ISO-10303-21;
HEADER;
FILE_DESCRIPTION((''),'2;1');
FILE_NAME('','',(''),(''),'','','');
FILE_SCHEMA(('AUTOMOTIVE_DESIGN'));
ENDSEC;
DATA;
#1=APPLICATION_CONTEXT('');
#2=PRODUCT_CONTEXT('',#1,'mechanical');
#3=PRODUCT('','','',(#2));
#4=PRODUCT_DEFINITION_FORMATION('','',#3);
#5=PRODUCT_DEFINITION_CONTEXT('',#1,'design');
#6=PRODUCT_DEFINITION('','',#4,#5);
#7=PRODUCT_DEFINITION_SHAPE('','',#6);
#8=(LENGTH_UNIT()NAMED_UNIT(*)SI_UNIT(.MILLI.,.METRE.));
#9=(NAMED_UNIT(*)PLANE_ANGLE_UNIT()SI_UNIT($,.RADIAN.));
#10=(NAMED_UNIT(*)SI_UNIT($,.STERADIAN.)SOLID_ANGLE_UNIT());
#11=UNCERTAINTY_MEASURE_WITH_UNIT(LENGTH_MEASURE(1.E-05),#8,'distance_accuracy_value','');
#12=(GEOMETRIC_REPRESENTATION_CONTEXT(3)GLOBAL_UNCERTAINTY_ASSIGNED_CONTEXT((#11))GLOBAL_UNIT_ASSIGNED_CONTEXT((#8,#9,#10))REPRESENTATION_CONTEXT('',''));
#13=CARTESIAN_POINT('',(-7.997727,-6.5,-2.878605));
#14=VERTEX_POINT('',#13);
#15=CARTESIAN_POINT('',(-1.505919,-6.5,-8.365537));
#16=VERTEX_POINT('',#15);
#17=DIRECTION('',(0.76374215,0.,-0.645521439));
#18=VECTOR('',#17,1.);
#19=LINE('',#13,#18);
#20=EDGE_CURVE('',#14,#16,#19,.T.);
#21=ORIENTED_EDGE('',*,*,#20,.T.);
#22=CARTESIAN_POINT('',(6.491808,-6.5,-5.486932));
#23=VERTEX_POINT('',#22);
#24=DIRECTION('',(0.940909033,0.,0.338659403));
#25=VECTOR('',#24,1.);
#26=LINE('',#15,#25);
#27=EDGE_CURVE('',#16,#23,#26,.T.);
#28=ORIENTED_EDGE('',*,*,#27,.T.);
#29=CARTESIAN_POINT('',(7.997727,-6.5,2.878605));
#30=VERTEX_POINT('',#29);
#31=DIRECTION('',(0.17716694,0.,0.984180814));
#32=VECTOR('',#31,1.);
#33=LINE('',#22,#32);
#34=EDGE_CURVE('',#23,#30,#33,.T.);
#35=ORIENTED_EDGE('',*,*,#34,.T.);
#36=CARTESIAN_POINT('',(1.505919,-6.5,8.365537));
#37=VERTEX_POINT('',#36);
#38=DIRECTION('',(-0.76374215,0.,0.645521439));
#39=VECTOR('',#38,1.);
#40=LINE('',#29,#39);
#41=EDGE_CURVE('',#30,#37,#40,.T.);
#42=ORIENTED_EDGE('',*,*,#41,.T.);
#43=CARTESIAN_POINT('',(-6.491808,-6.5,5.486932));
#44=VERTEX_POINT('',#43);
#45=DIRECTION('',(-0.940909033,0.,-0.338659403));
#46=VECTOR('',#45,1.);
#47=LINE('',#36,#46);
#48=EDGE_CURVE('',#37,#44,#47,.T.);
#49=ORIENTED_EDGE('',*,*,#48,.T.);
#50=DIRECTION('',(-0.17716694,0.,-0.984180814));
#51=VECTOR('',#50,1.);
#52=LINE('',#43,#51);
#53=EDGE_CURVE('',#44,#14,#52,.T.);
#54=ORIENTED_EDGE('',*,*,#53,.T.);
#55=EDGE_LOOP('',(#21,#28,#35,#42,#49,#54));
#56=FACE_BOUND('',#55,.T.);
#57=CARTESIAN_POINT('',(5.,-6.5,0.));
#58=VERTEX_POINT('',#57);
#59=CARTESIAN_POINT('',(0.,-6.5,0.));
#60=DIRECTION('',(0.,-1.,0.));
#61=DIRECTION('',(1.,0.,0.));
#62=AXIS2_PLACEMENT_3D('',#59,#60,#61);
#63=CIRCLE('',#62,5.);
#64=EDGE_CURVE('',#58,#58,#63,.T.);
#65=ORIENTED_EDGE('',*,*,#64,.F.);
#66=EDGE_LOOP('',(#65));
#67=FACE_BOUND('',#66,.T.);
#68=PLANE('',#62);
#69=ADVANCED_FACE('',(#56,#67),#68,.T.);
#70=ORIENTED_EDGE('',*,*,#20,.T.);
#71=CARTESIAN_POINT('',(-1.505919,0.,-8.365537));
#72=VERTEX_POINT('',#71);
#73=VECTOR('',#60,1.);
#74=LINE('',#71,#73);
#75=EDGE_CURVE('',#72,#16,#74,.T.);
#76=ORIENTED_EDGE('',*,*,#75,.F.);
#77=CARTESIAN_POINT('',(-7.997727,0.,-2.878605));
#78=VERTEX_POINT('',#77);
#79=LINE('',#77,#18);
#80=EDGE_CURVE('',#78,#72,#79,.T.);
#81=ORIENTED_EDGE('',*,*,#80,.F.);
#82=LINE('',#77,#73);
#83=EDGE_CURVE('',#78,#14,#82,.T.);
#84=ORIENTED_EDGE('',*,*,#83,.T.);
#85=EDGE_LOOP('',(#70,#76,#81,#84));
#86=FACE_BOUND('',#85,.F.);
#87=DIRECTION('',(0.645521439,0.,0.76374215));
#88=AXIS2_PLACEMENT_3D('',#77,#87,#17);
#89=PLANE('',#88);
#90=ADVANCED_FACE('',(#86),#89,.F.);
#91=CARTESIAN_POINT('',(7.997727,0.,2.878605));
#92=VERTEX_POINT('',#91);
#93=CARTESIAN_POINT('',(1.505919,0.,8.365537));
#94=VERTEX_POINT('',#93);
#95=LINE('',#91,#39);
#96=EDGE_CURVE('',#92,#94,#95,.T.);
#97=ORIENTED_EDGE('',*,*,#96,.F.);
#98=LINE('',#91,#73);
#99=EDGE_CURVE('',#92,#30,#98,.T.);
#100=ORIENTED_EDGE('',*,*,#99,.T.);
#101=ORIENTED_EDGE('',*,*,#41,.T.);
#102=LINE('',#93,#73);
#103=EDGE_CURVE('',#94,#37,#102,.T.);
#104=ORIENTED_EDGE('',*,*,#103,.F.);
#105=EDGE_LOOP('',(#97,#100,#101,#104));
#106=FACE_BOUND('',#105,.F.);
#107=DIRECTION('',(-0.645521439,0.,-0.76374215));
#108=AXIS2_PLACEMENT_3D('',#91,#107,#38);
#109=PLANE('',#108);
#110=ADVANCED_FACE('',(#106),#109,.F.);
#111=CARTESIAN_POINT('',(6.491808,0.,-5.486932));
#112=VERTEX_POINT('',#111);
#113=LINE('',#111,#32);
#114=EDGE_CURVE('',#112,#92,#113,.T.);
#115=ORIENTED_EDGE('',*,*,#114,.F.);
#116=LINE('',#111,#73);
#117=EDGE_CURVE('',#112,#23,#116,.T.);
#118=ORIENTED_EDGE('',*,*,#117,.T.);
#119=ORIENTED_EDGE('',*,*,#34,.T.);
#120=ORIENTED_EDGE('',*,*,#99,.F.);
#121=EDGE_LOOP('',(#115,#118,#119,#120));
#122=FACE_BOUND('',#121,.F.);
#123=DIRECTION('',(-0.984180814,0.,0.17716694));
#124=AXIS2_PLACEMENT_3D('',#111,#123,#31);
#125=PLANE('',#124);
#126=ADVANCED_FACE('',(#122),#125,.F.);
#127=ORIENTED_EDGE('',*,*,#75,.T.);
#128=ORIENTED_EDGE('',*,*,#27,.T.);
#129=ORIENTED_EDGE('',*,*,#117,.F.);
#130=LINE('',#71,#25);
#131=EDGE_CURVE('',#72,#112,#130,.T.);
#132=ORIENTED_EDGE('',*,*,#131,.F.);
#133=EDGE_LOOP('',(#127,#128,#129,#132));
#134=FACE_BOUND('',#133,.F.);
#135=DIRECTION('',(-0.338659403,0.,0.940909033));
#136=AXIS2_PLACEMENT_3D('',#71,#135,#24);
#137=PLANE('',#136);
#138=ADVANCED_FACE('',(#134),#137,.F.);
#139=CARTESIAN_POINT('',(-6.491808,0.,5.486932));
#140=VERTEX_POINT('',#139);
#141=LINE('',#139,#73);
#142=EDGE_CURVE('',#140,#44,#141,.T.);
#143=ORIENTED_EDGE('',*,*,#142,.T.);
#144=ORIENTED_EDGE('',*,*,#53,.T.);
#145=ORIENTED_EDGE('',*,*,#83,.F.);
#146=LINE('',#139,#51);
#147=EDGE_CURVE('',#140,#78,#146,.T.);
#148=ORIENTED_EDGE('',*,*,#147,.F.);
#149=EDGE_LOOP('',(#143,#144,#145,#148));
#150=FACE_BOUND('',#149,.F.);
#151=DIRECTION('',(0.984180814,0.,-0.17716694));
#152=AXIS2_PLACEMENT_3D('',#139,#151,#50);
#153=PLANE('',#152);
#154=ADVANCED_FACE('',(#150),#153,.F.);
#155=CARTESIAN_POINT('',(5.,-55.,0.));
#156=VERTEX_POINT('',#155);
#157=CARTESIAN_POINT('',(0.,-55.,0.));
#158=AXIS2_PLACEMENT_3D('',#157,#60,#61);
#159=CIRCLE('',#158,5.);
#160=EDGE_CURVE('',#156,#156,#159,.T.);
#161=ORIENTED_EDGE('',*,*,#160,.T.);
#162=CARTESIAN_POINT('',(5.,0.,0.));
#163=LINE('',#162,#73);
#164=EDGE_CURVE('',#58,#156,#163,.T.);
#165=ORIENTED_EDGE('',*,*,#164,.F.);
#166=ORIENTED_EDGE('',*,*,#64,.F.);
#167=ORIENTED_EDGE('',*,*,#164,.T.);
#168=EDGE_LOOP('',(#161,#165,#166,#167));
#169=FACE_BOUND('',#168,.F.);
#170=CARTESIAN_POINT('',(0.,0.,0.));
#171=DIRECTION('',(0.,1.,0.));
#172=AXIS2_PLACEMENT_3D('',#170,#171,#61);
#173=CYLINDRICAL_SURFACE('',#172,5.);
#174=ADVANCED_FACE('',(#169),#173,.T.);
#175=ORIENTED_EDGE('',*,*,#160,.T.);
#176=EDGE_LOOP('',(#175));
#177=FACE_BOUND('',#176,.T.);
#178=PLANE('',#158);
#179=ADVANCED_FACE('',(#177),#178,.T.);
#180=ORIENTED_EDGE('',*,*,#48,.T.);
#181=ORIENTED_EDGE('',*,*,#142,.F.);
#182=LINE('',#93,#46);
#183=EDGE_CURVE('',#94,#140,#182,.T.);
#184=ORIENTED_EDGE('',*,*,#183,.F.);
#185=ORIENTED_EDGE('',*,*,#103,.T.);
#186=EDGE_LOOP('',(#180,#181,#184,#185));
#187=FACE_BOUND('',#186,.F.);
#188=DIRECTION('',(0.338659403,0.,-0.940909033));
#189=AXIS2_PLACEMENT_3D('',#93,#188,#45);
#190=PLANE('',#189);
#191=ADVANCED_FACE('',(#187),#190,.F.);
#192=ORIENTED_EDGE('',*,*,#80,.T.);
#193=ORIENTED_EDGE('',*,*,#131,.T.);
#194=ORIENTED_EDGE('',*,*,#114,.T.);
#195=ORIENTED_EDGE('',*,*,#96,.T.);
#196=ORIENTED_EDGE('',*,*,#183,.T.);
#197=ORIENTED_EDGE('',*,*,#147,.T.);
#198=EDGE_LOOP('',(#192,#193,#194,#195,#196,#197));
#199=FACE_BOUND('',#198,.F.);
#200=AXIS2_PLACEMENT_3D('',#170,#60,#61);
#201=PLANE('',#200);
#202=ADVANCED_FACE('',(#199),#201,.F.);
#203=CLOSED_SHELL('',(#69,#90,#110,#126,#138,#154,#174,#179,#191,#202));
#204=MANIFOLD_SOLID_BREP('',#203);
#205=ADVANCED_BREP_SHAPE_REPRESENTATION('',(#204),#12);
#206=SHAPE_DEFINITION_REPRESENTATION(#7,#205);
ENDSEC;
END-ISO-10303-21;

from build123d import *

# Parameters (mm, degrees)
F0_R     = 5
F1_DEPTH = 6.5
F2_DEPTH = 55


with BuildPart() as f1:
    # F0 (on Front) → F1 (new body)
    with BuildSketch(Plane.XZ):
        Polygon((6.491808, -5.486932), (7.997727, 2.878605), (1.505919, 8.365537), (-6.491808, 5.486932), (-7.997727, -2.878605), (-1.505919, -8.365537), align=None)
        Circle(F0_R, mode=Mode.SUBTRACT)
    extrude(amount=F1_DEPTH)

    # F0 (on Front) → F2 (join)
    with BuildSketch(Plane.XZ):
        Circle(F0_R)
    extrude(amount=F2_DEPTH)


solid = f1.part
